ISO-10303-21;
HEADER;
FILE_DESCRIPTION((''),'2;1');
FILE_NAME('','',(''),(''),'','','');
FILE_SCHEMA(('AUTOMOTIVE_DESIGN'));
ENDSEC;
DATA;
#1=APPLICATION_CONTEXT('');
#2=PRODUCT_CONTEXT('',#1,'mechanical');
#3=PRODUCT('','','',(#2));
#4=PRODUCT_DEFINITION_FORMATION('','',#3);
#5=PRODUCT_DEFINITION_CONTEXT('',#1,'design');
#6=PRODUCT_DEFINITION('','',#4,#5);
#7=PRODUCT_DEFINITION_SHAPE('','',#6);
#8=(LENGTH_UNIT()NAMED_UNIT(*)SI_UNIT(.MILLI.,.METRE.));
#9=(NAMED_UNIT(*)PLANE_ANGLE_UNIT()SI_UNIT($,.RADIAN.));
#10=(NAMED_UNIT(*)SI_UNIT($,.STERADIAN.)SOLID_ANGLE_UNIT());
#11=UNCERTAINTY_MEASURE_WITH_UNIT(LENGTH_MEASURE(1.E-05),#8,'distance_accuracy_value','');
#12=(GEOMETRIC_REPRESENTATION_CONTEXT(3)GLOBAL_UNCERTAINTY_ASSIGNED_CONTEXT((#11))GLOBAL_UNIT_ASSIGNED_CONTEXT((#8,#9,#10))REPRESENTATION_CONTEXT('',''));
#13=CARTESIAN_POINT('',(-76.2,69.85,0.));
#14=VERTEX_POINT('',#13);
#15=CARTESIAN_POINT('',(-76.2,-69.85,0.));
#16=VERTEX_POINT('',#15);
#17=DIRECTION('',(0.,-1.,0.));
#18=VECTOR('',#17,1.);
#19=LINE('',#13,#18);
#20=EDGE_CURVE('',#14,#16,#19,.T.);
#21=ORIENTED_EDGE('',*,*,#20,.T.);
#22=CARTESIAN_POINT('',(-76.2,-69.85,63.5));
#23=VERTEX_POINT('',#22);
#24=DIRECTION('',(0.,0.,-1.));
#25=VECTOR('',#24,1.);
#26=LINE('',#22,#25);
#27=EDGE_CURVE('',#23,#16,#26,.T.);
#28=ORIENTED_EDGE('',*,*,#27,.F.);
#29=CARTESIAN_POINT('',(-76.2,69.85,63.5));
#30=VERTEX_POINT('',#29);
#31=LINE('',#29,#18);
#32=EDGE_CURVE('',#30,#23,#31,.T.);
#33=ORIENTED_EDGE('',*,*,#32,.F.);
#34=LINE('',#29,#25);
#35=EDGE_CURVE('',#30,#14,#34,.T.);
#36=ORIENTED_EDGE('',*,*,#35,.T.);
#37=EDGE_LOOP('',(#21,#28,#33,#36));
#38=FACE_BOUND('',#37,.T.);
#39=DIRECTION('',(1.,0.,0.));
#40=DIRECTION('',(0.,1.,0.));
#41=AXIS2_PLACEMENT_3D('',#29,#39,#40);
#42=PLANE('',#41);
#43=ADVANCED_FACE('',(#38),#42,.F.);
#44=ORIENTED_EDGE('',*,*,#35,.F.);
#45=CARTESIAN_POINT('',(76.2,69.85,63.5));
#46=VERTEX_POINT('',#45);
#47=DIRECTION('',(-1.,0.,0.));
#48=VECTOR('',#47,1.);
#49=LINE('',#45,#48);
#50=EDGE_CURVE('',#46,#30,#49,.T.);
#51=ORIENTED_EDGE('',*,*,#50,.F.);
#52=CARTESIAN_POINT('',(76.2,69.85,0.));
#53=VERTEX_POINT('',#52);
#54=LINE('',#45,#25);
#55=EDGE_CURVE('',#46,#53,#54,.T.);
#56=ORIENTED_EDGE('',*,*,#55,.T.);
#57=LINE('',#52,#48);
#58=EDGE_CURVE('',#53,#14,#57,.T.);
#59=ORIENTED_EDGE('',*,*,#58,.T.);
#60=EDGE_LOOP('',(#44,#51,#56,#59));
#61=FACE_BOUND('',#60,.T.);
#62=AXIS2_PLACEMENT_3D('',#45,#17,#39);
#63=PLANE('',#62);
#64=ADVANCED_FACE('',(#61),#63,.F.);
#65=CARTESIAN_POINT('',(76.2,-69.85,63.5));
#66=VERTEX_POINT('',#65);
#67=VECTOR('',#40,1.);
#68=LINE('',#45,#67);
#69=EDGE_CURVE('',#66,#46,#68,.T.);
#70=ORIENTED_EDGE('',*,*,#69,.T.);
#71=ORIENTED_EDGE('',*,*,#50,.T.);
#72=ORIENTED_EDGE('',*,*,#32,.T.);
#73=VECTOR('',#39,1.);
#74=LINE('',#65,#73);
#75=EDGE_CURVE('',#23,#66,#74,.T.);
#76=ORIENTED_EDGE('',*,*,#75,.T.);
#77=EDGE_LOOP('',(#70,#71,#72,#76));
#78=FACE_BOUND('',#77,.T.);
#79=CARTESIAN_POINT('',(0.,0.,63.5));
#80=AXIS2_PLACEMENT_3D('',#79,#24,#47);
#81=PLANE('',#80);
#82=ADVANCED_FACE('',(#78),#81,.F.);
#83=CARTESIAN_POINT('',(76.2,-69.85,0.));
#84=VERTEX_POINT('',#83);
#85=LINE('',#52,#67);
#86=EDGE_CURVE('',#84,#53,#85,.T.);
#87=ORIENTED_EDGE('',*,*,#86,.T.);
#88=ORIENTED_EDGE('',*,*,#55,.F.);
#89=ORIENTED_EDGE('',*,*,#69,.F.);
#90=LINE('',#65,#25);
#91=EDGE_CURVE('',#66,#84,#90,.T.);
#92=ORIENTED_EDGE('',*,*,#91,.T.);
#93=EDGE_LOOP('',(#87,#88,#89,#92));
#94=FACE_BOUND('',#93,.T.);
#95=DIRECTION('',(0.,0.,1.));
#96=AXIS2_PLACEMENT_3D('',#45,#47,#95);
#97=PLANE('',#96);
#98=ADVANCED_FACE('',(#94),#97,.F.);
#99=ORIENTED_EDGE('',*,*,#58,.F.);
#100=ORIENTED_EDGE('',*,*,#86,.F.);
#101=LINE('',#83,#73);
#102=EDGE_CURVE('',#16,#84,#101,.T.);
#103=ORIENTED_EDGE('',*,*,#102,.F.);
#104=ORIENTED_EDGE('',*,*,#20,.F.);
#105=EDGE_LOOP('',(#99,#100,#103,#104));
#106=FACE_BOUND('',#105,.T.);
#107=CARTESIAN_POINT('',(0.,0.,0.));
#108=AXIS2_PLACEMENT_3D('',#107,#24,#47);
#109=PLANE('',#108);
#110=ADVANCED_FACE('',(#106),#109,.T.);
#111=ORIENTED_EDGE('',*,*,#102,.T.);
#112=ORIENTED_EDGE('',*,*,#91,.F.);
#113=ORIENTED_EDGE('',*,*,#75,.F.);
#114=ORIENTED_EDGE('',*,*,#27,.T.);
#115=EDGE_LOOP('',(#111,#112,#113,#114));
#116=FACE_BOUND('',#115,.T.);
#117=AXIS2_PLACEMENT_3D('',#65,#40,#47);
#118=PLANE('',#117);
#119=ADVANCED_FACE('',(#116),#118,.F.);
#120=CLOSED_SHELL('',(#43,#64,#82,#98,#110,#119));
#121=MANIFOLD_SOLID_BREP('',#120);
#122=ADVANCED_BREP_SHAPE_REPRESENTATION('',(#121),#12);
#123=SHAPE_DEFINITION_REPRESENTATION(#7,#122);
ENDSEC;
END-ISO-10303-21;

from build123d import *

# Parameters (mm, degrees)
SKETCH1_W           = 152.4
SKETCH1_H           = 139.7
BOSS_EXTRUDE1_DEPTH = 63.5


with BuildPart() as part:
    # Sketch1 → Boss-Extrude1 (new body)
    with BuildSketch(Plane.XY):
        Rectangle(SKETCH1_W, SKETCH1_H)
    extrude(amount=BOSS_EXTRUDE1_DEPTH)


solid = part.part
